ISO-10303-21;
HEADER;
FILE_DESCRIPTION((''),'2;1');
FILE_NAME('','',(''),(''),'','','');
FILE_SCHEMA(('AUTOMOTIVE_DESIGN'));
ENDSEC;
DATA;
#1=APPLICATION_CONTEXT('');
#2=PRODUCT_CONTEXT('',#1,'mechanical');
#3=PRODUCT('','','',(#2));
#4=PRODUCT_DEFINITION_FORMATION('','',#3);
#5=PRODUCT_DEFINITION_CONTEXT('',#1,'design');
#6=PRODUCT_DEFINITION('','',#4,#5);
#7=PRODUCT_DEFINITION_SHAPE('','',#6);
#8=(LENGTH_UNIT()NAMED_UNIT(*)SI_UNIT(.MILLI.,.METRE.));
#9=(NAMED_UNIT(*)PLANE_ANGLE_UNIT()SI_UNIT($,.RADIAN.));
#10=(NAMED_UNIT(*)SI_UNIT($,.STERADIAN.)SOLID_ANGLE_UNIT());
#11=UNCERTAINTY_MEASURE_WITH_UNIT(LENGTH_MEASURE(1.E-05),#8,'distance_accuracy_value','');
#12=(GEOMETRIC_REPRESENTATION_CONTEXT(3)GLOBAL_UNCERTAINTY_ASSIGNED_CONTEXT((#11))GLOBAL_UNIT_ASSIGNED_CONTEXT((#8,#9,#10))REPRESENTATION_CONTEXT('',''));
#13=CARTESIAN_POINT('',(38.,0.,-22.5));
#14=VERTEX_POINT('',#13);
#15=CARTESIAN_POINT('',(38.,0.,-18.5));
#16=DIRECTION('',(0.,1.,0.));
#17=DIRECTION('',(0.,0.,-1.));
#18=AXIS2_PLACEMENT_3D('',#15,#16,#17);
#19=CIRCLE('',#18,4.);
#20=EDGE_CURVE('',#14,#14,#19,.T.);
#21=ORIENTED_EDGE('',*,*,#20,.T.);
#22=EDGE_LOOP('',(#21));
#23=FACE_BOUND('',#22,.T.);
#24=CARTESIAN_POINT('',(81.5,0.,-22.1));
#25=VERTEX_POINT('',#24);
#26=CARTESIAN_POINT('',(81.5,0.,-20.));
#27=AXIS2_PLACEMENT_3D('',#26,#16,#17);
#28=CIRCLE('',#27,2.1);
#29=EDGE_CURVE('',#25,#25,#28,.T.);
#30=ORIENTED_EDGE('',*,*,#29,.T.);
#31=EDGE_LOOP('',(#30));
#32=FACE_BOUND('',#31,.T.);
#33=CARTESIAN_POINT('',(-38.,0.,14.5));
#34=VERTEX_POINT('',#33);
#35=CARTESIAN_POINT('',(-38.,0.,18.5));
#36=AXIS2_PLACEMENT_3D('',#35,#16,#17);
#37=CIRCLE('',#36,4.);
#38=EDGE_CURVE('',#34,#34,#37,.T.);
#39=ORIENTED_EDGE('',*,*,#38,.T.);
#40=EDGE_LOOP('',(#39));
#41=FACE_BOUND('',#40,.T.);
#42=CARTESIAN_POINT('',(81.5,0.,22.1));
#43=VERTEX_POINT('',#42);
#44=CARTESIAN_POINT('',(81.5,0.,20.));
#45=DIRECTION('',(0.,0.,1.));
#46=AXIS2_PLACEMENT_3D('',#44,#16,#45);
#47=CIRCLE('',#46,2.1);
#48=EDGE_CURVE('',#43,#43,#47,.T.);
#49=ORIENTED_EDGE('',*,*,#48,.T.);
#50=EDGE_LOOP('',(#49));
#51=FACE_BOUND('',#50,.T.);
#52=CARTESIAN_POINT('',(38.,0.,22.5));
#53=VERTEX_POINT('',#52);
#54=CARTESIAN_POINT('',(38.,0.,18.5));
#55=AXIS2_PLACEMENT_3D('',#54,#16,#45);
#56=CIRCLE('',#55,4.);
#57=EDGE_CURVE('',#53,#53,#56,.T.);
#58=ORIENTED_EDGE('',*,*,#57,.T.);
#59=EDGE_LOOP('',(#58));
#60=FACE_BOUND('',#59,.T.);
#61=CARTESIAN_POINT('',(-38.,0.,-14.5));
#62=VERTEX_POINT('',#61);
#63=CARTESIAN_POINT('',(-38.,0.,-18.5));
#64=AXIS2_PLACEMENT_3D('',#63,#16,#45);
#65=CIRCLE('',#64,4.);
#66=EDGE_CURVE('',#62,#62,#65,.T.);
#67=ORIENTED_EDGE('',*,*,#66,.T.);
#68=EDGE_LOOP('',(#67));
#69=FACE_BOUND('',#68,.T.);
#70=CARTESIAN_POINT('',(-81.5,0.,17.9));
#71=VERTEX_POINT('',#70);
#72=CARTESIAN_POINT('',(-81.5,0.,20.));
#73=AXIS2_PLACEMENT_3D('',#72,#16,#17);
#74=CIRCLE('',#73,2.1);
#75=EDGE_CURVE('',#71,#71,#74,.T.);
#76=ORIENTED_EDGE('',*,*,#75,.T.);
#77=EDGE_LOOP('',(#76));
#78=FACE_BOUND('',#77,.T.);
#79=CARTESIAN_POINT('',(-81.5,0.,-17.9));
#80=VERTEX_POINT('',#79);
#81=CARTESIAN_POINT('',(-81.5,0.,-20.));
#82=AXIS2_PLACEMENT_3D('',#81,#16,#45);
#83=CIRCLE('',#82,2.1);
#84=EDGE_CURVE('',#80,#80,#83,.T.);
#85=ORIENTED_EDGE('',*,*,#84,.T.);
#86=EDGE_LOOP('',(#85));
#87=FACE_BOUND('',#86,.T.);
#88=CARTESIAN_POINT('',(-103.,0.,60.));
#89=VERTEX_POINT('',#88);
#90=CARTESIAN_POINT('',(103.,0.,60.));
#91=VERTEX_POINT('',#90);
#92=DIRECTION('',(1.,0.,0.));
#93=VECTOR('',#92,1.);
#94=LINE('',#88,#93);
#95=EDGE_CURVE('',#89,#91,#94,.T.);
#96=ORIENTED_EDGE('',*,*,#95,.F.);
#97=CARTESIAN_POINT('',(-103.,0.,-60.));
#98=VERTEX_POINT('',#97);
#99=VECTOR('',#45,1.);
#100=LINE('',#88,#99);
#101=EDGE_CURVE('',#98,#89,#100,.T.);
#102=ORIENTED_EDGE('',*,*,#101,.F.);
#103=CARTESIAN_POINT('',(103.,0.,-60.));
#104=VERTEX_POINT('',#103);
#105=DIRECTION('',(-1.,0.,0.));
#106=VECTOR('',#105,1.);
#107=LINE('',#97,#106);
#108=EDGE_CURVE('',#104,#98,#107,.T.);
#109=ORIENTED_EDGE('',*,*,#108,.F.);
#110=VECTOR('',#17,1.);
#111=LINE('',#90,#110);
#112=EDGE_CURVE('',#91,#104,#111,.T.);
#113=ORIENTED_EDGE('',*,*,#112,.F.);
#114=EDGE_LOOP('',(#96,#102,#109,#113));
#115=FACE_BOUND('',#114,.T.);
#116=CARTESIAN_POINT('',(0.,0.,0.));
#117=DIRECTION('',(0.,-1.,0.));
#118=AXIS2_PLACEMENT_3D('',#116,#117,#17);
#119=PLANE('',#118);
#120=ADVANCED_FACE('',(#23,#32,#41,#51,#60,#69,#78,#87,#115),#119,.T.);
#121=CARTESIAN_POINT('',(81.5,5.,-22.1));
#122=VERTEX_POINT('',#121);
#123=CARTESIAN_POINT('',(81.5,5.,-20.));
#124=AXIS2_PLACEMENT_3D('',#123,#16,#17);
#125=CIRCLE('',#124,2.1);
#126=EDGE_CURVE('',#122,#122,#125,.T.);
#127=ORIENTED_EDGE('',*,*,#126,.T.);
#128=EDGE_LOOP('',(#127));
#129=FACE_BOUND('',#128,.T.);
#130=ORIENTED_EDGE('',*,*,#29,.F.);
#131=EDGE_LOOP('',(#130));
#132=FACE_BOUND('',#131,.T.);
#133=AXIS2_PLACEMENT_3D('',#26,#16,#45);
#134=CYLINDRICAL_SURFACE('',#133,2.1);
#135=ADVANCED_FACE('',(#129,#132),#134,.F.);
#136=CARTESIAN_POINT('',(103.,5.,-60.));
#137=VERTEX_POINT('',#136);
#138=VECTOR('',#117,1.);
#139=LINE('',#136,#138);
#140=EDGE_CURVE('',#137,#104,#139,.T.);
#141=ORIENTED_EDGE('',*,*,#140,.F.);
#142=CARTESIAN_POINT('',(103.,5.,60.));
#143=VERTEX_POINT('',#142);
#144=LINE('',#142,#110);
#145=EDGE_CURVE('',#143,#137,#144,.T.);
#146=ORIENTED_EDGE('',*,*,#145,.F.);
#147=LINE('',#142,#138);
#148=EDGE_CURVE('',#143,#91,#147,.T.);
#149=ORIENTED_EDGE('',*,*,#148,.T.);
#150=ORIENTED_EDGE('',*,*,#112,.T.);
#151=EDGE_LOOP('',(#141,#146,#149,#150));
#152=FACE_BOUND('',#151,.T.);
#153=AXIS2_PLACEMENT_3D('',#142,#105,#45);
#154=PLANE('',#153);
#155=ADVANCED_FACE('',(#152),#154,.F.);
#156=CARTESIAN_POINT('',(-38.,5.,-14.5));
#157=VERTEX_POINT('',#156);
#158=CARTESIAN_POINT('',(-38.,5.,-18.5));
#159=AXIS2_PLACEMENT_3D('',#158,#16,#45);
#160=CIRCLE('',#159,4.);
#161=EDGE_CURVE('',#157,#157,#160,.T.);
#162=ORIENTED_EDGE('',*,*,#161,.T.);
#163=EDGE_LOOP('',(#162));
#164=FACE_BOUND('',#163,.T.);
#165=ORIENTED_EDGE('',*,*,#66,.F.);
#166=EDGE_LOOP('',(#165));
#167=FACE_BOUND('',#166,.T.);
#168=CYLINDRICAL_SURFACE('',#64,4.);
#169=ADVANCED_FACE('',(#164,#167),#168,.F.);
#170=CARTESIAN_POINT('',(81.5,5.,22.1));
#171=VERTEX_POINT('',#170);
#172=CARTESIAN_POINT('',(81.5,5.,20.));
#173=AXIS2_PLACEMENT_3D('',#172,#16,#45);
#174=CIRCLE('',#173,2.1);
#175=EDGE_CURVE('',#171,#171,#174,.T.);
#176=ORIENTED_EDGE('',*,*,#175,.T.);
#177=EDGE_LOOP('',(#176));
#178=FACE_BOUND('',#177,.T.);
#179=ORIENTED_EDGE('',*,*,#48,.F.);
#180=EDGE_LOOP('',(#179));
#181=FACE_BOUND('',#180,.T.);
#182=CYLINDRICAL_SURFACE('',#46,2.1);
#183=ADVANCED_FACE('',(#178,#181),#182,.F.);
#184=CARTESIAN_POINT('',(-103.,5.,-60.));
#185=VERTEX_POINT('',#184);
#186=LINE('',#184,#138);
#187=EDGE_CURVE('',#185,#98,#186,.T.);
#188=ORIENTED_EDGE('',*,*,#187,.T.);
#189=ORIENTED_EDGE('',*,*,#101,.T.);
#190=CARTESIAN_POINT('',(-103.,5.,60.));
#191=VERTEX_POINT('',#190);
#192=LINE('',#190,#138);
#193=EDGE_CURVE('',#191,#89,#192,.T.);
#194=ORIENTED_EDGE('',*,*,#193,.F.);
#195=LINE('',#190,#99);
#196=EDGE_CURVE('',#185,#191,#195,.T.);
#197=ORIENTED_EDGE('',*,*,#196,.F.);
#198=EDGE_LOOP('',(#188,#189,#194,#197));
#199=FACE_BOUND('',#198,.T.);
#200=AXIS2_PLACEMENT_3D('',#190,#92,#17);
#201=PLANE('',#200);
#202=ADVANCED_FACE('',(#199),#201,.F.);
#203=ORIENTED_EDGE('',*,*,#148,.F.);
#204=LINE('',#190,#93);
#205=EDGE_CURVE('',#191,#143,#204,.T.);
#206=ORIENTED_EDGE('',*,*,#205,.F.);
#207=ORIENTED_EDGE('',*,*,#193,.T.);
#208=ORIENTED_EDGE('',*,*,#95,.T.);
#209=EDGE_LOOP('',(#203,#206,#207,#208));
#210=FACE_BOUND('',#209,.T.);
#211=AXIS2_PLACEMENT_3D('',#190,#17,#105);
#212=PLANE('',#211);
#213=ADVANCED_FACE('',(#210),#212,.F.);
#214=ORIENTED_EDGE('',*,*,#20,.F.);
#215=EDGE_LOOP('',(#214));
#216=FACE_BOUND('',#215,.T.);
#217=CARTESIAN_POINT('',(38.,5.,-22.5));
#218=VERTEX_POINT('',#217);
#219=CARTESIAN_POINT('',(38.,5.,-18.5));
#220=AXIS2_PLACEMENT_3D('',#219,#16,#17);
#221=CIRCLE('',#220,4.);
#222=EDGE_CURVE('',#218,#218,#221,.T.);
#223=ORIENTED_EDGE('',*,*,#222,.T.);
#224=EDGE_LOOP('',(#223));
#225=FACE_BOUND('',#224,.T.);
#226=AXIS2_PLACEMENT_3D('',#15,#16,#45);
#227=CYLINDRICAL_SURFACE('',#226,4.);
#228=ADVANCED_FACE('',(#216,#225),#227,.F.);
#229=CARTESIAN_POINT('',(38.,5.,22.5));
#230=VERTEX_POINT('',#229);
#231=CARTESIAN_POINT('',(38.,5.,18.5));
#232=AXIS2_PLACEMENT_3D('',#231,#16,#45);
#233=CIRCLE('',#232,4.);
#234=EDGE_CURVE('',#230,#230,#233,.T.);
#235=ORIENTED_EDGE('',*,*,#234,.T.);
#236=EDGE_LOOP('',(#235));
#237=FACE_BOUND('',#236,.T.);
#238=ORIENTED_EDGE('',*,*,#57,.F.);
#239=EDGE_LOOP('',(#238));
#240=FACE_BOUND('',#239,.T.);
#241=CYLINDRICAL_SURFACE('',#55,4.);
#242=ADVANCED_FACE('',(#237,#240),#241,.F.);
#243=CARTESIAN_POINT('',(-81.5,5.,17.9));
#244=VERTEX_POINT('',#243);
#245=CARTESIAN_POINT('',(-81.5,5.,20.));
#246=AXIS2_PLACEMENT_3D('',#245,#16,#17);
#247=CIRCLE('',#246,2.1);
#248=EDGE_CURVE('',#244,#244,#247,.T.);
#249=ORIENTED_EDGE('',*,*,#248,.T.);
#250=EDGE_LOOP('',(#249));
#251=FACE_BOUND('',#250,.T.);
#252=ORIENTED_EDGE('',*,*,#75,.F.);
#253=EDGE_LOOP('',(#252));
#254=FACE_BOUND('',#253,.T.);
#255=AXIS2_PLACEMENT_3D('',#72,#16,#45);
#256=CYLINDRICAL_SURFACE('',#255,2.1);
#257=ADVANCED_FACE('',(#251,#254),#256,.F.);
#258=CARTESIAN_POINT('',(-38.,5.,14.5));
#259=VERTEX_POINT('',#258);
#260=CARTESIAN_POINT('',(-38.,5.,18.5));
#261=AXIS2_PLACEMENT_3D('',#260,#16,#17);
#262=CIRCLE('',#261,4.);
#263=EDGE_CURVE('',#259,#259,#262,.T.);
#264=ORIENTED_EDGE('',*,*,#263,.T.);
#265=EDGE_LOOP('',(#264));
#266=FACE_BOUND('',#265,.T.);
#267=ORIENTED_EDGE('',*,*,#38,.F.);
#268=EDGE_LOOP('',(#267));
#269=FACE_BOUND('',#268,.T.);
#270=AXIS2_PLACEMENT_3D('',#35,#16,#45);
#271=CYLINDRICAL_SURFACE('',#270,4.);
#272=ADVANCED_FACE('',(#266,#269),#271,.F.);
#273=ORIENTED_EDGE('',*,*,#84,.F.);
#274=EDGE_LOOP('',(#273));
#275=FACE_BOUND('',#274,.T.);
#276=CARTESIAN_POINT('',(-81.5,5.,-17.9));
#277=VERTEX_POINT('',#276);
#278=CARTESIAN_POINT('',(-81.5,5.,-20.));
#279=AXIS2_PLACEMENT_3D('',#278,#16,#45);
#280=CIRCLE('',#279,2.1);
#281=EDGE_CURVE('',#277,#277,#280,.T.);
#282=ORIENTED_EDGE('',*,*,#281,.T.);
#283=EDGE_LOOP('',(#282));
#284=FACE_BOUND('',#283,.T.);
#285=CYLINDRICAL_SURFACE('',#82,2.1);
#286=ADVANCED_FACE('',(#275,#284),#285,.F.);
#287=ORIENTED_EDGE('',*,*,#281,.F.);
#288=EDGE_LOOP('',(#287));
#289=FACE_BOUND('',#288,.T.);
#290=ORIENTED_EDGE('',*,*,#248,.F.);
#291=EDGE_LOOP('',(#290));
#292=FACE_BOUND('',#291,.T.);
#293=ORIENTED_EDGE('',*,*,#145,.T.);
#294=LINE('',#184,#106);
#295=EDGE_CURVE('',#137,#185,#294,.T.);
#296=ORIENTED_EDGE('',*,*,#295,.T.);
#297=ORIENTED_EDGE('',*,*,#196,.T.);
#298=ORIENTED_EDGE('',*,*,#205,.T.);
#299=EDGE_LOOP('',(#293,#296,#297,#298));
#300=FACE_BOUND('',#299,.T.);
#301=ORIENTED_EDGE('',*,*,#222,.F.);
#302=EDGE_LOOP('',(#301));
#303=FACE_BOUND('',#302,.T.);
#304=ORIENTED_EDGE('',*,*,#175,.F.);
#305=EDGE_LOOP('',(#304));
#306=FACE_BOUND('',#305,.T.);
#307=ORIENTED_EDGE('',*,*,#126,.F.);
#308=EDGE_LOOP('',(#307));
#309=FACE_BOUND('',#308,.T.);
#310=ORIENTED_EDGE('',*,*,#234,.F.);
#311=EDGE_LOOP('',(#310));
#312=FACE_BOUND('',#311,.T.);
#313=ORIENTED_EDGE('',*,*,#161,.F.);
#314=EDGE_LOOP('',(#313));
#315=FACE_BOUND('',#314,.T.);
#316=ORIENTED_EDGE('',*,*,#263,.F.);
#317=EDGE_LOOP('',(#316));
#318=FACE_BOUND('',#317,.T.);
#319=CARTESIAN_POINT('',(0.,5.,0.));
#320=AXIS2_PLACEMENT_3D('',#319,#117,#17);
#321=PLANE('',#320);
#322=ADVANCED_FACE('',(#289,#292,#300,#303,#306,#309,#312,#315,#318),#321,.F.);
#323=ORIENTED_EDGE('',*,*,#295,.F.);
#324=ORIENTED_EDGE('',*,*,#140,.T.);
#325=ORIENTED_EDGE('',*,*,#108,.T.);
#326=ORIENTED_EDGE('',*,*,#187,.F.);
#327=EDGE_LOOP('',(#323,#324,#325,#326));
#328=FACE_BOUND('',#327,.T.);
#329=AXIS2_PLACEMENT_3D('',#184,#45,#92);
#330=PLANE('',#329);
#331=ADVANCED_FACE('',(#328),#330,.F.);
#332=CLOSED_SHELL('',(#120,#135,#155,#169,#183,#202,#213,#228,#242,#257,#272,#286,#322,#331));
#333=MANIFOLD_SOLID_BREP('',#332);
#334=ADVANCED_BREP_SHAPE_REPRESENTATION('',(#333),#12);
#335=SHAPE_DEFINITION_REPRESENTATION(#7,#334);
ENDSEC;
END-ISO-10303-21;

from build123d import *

# Parameters (mm, degrees)
SKETCH_1_W          = 206
SKETCH_1_H          = 120
EXTRUDE_1_DEPTH     = 5
SKETCH_2_R          = 2.1
CUT_EXTRUDE_1_DEPTH = 6
SKETCH_3_R          = 4
CUT_EXTRUDE_2_DEPTH = 6


with BuildPart() as part:
    # 草图1 → 凸台-拉伸1 (new body)
    with BuildSketch(Plane(origin=(0, 0, 0), x_dir=(1, 0, 0), z_dir=(0, 1, 0))):
        Rectangle(SKETCH_1_W, SKETCH_1_H)
    extrude(amount=EXTRUDE_1_DEPTH)

    # 草图2 → 切除-拉伸1 (cut, through all)
    with BuildSketch(Plane(origin=(0, 5, 0), x_dir=(1, 0, 0), z_dir=(0, 1, 0))):
        with Locations((-81.5, 20)):
            Circle(SKETCH_2_R)
        with Locations((81.5, 20)):
            Circle(SKETCH_2_R)
        with Locations((81.5, -20)):
            Circle(SKETCH_2_R)
        with Locations((-81.5, -20)):
            Circle(SKETCH_2_R)
    extrude(amount=-CUT_EXTRUDE_1_DEPTH, mode=Mode.SUBTRACT)

    # 草图3 → 切除-拉伸2 (cut, through all)
    with BuildSketch(Plane(origin=(0, 5, 0), x_dir=(1, 0, 0), z_dir=(0, 1, 0))):
        with Locations((-38, 18.5)):
            Circle(SKETCH_3_R)
        with Locations((38, 18.5)):
            Circle(SKETCH_3_R)
        with Locations((38, -18.5)):
            Circle(SKETCH_3_R)
        with Locations((-38, -18.5)):
            Circle(SKETCH_3_R)
    extrude(amount=-CUT_EXTRUDE_2_DEPTH, mode=Mode.SUBTRACT)


solid = part.part
